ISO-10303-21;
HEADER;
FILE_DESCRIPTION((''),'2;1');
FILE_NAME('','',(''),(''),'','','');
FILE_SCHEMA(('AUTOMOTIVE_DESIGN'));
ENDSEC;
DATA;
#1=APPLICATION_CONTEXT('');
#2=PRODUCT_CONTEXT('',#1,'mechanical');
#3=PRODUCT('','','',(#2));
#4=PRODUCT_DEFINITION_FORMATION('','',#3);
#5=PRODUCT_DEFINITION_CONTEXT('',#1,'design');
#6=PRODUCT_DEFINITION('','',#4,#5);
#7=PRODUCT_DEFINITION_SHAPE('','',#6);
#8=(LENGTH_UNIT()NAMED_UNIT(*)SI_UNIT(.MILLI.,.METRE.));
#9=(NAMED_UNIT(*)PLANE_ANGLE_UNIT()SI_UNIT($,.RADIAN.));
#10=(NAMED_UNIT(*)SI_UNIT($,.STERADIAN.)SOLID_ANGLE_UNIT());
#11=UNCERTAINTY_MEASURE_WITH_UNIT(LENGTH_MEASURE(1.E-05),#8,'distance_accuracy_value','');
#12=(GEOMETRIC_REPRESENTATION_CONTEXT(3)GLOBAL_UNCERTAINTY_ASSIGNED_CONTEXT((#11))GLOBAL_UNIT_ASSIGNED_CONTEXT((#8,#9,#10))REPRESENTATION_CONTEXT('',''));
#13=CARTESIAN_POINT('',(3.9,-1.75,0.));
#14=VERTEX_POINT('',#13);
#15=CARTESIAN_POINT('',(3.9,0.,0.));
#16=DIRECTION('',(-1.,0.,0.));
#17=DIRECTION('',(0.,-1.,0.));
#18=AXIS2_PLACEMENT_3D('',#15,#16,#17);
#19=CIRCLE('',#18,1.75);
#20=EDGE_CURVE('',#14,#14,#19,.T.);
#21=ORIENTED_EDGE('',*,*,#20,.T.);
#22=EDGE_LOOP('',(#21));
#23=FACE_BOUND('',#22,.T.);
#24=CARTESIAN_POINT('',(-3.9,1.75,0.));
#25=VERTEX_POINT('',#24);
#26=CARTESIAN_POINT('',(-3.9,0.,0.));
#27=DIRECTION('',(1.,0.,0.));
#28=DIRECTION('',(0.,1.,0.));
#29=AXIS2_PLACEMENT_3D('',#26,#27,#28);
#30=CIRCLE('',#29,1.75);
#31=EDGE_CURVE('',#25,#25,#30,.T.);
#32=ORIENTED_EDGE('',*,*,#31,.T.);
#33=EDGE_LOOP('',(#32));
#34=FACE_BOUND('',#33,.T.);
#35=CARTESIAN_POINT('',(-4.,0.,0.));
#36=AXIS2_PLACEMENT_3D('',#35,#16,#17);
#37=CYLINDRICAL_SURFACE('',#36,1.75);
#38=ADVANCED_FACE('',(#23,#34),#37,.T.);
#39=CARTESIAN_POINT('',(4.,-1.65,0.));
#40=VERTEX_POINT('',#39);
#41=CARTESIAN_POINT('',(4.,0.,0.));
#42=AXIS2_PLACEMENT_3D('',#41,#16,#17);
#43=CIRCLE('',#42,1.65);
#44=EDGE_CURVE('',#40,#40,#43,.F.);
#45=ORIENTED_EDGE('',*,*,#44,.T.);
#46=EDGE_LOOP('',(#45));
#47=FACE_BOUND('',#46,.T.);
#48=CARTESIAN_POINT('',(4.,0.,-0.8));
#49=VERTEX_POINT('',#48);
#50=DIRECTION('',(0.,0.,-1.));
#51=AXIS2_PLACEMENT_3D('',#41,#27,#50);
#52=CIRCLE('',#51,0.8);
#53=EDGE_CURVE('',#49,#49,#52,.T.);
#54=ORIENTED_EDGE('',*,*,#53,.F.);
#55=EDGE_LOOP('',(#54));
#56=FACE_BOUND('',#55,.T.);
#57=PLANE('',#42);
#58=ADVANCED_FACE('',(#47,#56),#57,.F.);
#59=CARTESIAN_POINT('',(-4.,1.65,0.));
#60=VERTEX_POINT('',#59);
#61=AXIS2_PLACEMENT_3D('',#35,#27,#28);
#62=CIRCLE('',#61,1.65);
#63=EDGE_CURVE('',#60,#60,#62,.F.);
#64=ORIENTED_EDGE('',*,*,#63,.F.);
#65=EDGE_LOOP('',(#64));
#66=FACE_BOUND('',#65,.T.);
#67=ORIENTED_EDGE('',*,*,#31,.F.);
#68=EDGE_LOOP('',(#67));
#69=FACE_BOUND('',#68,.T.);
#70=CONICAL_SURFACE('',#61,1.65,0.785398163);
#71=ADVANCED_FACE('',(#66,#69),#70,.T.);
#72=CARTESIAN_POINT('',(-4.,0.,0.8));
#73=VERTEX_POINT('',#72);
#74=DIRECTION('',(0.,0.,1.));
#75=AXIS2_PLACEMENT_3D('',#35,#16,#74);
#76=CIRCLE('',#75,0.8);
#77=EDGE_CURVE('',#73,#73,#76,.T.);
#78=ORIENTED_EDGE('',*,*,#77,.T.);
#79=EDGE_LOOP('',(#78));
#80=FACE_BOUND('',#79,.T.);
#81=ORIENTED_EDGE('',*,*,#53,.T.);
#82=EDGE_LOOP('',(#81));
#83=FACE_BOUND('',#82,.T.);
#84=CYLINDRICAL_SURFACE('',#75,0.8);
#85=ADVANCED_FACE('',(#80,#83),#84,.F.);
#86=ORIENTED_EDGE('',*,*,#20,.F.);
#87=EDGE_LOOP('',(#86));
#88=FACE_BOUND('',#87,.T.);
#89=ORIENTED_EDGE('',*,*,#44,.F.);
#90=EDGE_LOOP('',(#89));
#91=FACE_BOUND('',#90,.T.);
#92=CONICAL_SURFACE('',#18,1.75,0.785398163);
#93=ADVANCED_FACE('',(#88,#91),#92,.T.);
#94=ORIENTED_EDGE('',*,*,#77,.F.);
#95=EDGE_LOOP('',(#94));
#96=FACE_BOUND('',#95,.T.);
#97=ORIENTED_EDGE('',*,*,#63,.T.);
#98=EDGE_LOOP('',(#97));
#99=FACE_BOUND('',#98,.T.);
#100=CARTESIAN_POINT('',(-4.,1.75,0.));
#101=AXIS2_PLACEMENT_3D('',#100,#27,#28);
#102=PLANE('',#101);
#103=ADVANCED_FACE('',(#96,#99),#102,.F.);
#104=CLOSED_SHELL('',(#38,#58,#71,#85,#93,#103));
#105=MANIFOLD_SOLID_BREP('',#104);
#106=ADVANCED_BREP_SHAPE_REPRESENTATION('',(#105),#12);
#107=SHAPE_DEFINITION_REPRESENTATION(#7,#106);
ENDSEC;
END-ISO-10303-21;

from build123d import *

# Parameters (mm, degrees)
SKETCH_1_W     = 8
SKETCH_1_H     = 1.75
CHAMFER_1_SIZE = 0.1


with BuildPart() as part:
    # 草图1 → 旋转1 (revolve)
    with BuildSketch(Plane.XY):
        with Locations((0, 0.875)):
            Rectangle(SKETCH_1_W, SKETCH_1_H)
    revolve(axis=Axis((-4, 0, 0), (1, 0, 0)))

    # 草图3 → Hole Wizard 380 (revolve, cut)
    with BuildSketch(Plane(origin=(-4, 0, 0), x_dir=(0, 0, 1), z_dir=(0, 1, 0))):
        Polygon((0, 0), (0, 6.480688495), (0.8, 6), (0.8, 0), align=None)
    hole_wizard_380 = revolve(axis=Axis((-10.35, 0, 0), (1, 0, 0)), mode=Mode.SUBTRACT)

    # 镜向1: Hole Wizard 380 across plane
    add(hole_wizard_380.mirror(Plane(origin=(0, 0, 0), x_dir=(0, 0, 1), z_dir=(1, 0, 0))), mode=Mode.SUBTRACT)

    # 倒角1
    chamfer_1_edges = [part.edges().sort_by_distance(p)[0] for p in [
        (-4, -1.75, 0),
        (4, -1.75, 0),
    ]]
    chamfer(chamfer_1_edges, length=CHAMFER_1_SIZE)


solid = part.part
